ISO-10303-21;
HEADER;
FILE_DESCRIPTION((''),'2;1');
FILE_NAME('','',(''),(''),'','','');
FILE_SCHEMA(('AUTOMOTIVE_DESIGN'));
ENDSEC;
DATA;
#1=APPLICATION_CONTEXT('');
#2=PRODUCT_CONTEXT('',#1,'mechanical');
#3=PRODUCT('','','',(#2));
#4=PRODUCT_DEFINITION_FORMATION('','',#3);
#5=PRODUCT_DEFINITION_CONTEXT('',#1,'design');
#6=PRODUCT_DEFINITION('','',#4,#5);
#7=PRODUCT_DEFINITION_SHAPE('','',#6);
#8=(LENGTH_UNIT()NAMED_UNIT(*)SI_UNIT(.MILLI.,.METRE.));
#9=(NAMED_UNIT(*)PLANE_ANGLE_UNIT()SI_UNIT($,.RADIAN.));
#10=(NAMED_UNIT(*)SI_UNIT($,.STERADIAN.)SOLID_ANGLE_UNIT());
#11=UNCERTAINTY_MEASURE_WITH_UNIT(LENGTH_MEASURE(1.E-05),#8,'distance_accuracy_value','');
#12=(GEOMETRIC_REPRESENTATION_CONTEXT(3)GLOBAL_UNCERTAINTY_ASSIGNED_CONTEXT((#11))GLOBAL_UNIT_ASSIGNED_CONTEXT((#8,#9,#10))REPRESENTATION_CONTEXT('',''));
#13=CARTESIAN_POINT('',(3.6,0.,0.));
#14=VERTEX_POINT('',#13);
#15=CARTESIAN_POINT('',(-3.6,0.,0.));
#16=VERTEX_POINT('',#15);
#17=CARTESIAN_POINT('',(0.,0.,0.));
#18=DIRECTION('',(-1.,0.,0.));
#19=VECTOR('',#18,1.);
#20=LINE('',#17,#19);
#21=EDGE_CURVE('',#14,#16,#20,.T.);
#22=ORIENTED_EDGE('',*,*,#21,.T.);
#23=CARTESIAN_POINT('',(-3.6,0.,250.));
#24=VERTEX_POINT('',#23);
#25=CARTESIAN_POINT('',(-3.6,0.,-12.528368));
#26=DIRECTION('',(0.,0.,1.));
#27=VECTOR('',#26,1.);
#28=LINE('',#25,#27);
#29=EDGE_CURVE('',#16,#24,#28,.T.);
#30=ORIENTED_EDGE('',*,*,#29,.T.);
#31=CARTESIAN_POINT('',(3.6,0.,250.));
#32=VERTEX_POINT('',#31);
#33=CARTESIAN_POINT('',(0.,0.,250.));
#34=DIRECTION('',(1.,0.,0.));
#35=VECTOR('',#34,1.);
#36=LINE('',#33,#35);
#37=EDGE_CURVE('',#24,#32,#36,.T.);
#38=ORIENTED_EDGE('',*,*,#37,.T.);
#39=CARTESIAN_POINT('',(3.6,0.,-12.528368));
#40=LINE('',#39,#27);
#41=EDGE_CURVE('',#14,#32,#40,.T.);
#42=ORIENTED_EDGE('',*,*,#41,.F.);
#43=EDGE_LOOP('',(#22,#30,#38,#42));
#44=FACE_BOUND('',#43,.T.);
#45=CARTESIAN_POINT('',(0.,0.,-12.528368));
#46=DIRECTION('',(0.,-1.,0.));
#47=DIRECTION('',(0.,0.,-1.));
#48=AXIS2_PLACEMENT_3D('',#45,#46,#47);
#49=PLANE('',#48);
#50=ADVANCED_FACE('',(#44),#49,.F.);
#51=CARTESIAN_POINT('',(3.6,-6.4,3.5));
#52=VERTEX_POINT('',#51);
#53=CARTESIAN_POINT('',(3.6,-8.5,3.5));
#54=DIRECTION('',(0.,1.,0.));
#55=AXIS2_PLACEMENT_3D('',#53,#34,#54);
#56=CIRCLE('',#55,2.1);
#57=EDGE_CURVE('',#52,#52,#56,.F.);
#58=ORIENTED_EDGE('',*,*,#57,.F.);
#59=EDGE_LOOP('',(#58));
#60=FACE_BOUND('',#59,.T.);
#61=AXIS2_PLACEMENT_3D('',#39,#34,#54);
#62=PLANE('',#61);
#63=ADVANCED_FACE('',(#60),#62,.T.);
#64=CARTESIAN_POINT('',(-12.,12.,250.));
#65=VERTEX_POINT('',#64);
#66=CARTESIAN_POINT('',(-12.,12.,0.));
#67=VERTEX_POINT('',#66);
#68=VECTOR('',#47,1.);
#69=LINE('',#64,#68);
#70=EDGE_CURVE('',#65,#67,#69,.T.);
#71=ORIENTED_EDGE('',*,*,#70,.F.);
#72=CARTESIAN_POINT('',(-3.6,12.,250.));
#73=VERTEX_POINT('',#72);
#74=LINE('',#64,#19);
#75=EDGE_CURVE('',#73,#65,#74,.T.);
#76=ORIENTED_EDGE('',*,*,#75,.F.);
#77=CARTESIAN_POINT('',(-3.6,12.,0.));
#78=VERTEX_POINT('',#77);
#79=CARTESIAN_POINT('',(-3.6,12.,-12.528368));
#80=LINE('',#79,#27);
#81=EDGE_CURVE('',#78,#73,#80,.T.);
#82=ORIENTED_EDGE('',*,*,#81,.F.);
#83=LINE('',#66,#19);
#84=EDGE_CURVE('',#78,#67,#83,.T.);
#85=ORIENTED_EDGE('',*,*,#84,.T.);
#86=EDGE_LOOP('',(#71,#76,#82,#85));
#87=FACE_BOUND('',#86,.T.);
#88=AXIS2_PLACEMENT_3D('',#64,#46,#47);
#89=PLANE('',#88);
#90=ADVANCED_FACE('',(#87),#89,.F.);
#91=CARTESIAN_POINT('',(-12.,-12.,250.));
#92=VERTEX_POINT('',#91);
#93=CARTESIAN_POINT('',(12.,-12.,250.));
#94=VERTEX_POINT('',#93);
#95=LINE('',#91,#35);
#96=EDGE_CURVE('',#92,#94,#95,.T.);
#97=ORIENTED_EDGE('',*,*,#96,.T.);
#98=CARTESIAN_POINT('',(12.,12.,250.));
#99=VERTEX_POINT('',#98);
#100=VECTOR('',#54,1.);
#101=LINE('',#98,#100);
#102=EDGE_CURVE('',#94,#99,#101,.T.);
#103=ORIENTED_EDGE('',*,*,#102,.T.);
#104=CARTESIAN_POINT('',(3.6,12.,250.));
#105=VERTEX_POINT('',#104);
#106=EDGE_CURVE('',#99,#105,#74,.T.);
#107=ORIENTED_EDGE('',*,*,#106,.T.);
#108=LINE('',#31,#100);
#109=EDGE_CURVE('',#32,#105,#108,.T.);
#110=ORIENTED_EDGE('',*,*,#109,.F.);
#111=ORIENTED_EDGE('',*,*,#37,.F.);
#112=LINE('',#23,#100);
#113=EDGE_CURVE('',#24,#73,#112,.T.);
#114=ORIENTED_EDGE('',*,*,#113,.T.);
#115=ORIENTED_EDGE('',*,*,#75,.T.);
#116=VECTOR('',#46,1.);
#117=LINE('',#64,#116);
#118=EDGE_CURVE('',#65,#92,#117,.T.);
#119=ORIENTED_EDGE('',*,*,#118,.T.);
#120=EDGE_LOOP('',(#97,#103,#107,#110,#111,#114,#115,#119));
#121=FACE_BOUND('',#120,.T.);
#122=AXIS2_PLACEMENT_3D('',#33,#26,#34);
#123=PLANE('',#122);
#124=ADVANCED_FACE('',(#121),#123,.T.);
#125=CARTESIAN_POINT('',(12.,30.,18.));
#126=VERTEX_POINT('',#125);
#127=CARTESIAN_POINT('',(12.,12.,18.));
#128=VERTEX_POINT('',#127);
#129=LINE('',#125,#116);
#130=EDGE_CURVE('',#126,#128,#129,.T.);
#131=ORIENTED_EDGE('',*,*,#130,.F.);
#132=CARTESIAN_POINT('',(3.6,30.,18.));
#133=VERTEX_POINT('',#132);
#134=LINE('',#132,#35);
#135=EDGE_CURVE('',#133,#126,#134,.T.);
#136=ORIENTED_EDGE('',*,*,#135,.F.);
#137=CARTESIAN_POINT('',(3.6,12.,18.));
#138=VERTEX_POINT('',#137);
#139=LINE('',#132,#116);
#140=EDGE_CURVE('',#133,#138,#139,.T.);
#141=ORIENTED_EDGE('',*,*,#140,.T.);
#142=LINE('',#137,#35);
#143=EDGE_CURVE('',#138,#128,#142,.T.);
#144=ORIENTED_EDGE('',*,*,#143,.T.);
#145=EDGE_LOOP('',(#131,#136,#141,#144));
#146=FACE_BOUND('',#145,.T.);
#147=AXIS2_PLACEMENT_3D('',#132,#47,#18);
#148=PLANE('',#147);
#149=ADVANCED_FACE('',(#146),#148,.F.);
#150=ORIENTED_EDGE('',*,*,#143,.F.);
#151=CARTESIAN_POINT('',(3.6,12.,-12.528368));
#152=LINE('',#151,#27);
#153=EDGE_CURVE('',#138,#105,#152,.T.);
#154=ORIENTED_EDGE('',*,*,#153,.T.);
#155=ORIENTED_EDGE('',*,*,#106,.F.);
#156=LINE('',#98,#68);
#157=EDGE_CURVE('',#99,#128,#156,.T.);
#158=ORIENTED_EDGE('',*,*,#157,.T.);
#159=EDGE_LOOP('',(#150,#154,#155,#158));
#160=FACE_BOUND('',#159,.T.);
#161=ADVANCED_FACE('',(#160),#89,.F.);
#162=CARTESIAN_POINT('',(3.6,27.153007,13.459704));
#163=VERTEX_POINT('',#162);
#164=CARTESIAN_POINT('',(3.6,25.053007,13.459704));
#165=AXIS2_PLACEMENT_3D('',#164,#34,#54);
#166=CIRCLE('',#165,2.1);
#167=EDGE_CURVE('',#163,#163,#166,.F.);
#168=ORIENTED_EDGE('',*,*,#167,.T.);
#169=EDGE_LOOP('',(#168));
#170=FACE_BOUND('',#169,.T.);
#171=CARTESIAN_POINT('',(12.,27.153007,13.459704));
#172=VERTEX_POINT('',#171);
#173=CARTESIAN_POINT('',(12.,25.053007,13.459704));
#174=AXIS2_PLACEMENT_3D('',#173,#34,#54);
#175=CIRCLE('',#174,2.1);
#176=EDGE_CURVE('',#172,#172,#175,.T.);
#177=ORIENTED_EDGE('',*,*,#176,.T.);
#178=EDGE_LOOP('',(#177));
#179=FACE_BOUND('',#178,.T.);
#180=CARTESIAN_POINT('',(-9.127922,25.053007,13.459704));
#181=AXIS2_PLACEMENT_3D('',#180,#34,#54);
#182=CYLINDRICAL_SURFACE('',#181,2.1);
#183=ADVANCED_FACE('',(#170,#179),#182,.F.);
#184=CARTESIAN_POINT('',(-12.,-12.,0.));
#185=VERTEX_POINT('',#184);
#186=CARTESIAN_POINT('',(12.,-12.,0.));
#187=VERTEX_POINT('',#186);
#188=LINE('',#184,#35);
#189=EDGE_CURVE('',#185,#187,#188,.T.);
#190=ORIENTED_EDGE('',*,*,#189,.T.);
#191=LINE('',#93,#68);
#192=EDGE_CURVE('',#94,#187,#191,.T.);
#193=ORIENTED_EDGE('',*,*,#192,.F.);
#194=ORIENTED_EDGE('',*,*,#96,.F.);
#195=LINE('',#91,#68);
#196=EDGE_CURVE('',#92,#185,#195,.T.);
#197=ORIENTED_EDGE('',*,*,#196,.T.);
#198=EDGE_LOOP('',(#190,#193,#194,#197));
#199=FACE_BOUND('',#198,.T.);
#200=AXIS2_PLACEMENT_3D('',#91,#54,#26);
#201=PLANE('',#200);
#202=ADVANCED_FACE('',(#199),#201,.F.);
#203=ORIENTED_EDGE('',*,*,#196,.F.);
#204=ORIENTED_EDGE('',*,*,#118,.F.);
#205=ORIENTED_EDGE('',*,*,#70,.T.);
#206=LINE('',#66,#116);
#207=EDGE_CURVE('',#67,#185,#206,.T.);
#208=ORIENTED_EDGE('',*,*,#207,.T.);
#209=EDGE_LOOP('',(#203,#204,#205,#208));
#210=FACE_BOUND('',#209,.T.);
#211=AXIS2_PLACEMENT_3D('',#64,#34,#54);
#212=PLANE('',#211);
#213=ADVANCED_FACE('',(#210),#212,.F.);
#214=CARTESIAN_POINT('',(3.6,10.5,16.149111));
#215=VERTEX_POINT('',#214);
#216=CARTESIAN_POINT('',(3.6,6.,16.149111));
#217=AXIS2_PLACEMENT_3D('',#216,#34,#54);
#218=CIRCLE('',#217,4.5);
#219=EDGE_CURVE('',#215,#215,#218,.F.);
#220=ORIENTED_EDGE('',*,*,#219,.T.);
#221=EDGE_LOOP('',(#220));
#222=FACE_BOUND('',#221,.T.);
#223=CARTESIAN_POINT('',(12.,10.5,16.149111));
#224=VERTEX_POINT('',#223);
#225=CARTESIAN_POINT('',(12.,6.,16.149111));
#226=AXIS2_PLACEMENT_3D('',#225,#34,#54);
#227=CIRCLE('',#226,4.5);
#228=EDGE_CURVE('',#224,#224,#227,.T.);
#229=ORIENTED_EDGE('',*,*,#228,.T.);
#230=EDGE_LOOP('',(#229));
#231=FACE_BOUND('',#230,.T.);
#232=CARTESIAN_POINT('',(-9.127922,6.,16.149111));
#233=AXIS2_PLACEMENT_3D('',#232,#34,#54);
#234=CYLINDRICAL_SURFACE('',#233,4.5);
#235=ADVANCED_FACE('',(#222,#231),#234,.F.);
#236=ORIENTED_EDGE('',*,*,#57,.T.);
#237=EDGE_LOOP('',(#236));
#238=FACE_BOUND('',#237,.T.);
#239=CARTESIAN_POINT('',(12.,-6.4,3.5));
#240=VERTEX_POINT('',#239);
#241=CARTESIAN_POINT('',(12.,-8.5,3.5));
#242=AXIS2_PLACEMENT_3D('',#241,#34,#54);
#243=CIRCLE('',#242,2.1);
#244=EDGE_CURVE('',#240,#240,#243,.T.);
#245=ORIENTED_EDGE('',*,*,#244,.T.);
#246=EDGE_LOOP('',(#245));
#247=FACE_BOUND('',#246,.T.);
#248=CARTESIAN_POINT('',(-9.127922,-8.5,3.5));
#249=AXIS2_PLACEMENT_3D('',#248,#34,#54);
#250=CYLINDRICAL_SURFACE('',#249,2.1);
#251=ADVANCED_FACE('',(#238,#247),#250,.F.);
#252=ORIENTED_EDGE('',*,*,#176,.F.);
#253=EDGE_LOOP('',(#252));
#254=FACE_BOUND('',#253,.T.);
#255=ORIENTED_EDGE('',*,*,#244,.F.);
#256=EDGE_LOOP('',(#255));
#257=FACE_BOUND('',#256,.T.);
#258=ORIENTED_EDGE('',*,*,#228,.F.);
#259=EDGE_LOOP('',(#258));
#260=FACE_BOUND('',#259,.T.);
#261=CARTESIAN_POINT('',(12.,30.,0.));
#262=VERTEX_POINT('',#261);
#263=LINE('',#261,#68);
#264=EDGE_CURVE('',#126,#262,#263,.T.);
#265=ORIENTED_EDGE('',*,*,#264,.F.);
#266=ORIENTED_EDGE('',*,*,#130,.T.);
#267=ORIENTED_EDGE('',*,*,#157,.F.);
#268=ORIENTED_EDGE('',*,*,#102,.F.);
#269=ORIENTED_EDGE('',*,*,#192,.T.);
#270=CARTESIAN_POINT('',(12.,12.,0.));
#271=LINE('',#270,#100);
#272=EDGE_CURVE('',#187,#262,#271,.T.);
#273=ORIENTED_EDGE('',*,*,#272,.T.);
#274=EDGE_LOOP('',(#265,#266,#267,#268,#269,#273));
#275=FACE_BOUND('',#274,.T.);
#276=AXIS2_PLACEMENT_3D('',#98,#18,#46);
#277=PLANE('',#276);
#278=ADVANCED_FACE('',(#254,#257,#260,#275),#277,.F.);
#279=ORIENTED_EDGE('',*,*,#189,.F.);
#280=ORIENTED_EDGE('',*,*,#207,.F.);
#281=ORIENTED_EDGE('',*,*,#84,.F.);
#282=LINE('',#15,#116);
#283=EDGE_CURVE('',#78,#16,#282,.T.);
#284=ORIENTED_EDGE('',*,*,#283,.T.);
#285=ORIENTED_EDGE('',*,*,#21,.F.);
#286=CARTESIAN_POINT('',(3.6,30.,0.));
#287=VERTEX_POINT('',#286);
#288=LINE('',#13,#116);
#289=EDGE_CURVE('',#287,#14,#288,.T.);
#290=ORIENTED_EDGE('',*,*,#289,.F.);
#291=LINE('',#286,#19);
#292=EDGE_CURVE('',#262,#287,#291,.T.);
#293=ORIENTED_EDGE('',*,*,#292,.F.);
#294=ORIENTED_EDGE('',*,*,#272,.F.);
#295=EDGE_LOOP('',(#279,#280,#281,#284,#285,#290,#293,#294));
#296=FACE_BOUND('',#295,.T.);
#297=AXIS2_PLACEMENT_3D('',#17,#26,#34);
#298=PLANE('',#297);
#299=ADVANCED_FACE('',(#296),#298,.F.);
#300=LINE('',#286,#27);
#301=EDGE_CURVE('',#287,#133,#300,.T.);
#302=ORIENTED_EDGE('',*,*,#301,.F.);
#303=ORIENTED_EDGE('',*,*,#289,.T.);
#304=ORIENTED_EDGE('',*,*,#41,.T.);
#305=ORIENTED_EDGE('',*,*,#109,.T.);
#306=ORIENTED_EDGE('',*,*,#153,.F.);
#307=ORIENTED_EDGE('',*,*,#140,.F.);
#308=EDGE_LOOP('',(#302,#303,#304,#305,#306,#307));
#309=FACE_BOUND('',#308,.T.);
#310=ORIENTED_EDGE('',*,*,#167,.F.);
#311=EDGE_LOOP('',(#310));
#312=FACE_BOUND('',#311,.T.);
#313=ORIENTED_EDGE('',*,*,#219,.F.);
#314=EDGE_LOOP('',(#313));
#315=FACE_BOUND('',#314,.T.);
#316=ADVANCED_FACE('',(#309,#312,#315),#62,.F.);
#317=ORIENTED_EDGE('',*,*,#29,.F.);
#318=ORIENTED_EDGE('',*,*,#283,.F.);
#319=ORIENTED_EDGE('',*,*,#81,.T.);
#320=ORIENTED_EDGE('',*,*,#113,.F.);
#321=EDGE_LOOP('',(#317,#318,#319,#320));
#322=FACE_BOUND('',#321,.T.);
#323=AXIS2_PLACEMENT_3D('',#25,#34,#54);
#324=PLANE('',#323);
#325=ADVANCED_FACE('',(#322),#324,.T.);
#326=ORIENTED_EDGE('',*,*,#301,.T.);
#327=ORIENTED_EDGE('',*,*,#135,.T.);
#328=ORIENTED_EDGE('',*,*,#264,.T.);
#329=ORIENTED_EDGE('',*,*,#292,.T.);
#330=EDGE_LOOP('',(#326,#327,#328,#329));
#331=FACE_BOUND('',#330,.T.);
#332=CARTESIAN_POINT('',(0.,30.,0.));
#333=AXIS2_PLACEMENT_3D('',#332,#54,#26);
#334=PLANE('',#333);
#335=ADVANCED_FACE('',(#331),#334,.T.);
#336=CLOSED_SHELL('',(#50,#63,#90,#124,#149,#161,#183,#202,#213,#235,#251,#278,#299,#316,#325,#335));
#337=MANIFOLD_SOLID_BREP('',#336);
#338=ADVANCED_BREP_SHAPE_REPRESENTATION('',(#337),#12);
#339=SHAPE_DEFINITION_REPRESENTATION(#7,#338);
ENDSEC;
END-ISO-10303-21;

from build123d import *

# Parameters (mm, degrees)
SKETCH1_W           = 24
SKETCH1_H           = 24
BOSS_EXTRUDE1_DEPTH = 250
SKETCH2_W           = 3.6
SKETCH2_H           = 12
CUT_EXTRUDE1_DEPTH  = 250
SKETCH8_W           = 8.4
SKETCH8_H           = 18
BOSS_EXTRUDE2_DEPTH = 18
SKETCH6_R           = 2.1
SKETCH6_R_2         = 4.5
CUT_EXTRUDE3_DEPTH  = 8.4


with BuildPart() as part:
    # Sketch1 → Boss-Extrude1 (new body)
    with BuildSketch(Plane.XY):
        Rectangle(SKETCH1_W, SKETCH1_H)
    extrude(amount=BOSS_EXTRUDE1_DEPTH)

    # Sketch2 → Cut-Extrude1 (cut)
    with BuildSketch(Plane.XY.offset(250)):
        with Locations((1.8, 6)):
            Rectangle(SKETCH2_W, SKETCH2_H)
    cut_extrude1 = extrude(amount=-CUT_EXTRUDE1_DEPTH, mode=Mode.SUBTRACT)

    # Mirror1: Cut-Extrude1 across plane
    add(cut_extrude1.mirror(Plane(origin=(0, 0, 0), x_dir=(0, 0, 1), z_dir=(1, 0, 0))), mode=Mode.SUBTRACT)

    # Sketch8 → Boss-Extrude2 (add)
    with BuildSketch(Plane(origin=(0, 12, 0), x_dir=(1, 0, 0), z_dir=(0, 1, 0))):
        with Locations((7.8, -9)):
            Rectangle(SKETCH8_W, SKETCH8_H)
    extrude(amount=BOSS_EXTRUDE2_DEPTH)

    # Sketch6 → Cut-Extrude3 (cut)
    with BuildSketch(Plane(origin=(12, 0, 0), x_dir=(0, 0, -1), z_dir=(1, 0, 0))):
        with Locations(Location((-3.5, -8.5, 0), (0, 0, 90))):
            Circle(SKETCH6_R)
        with Locations(Location((-16.149110641, 6, 0), (0, 0, 90))):
            Circle(SKETCH6_R_2)
        with Locations(Location((-13.459703626, 25.053007372, 0), (0, 0, 90))):
            Circle(SKETCH6_R)
    extrude(amount=-CUT_EXTRUDE3_DEPTH, mode=Mode.SUBTRACT)


solid = part.part
